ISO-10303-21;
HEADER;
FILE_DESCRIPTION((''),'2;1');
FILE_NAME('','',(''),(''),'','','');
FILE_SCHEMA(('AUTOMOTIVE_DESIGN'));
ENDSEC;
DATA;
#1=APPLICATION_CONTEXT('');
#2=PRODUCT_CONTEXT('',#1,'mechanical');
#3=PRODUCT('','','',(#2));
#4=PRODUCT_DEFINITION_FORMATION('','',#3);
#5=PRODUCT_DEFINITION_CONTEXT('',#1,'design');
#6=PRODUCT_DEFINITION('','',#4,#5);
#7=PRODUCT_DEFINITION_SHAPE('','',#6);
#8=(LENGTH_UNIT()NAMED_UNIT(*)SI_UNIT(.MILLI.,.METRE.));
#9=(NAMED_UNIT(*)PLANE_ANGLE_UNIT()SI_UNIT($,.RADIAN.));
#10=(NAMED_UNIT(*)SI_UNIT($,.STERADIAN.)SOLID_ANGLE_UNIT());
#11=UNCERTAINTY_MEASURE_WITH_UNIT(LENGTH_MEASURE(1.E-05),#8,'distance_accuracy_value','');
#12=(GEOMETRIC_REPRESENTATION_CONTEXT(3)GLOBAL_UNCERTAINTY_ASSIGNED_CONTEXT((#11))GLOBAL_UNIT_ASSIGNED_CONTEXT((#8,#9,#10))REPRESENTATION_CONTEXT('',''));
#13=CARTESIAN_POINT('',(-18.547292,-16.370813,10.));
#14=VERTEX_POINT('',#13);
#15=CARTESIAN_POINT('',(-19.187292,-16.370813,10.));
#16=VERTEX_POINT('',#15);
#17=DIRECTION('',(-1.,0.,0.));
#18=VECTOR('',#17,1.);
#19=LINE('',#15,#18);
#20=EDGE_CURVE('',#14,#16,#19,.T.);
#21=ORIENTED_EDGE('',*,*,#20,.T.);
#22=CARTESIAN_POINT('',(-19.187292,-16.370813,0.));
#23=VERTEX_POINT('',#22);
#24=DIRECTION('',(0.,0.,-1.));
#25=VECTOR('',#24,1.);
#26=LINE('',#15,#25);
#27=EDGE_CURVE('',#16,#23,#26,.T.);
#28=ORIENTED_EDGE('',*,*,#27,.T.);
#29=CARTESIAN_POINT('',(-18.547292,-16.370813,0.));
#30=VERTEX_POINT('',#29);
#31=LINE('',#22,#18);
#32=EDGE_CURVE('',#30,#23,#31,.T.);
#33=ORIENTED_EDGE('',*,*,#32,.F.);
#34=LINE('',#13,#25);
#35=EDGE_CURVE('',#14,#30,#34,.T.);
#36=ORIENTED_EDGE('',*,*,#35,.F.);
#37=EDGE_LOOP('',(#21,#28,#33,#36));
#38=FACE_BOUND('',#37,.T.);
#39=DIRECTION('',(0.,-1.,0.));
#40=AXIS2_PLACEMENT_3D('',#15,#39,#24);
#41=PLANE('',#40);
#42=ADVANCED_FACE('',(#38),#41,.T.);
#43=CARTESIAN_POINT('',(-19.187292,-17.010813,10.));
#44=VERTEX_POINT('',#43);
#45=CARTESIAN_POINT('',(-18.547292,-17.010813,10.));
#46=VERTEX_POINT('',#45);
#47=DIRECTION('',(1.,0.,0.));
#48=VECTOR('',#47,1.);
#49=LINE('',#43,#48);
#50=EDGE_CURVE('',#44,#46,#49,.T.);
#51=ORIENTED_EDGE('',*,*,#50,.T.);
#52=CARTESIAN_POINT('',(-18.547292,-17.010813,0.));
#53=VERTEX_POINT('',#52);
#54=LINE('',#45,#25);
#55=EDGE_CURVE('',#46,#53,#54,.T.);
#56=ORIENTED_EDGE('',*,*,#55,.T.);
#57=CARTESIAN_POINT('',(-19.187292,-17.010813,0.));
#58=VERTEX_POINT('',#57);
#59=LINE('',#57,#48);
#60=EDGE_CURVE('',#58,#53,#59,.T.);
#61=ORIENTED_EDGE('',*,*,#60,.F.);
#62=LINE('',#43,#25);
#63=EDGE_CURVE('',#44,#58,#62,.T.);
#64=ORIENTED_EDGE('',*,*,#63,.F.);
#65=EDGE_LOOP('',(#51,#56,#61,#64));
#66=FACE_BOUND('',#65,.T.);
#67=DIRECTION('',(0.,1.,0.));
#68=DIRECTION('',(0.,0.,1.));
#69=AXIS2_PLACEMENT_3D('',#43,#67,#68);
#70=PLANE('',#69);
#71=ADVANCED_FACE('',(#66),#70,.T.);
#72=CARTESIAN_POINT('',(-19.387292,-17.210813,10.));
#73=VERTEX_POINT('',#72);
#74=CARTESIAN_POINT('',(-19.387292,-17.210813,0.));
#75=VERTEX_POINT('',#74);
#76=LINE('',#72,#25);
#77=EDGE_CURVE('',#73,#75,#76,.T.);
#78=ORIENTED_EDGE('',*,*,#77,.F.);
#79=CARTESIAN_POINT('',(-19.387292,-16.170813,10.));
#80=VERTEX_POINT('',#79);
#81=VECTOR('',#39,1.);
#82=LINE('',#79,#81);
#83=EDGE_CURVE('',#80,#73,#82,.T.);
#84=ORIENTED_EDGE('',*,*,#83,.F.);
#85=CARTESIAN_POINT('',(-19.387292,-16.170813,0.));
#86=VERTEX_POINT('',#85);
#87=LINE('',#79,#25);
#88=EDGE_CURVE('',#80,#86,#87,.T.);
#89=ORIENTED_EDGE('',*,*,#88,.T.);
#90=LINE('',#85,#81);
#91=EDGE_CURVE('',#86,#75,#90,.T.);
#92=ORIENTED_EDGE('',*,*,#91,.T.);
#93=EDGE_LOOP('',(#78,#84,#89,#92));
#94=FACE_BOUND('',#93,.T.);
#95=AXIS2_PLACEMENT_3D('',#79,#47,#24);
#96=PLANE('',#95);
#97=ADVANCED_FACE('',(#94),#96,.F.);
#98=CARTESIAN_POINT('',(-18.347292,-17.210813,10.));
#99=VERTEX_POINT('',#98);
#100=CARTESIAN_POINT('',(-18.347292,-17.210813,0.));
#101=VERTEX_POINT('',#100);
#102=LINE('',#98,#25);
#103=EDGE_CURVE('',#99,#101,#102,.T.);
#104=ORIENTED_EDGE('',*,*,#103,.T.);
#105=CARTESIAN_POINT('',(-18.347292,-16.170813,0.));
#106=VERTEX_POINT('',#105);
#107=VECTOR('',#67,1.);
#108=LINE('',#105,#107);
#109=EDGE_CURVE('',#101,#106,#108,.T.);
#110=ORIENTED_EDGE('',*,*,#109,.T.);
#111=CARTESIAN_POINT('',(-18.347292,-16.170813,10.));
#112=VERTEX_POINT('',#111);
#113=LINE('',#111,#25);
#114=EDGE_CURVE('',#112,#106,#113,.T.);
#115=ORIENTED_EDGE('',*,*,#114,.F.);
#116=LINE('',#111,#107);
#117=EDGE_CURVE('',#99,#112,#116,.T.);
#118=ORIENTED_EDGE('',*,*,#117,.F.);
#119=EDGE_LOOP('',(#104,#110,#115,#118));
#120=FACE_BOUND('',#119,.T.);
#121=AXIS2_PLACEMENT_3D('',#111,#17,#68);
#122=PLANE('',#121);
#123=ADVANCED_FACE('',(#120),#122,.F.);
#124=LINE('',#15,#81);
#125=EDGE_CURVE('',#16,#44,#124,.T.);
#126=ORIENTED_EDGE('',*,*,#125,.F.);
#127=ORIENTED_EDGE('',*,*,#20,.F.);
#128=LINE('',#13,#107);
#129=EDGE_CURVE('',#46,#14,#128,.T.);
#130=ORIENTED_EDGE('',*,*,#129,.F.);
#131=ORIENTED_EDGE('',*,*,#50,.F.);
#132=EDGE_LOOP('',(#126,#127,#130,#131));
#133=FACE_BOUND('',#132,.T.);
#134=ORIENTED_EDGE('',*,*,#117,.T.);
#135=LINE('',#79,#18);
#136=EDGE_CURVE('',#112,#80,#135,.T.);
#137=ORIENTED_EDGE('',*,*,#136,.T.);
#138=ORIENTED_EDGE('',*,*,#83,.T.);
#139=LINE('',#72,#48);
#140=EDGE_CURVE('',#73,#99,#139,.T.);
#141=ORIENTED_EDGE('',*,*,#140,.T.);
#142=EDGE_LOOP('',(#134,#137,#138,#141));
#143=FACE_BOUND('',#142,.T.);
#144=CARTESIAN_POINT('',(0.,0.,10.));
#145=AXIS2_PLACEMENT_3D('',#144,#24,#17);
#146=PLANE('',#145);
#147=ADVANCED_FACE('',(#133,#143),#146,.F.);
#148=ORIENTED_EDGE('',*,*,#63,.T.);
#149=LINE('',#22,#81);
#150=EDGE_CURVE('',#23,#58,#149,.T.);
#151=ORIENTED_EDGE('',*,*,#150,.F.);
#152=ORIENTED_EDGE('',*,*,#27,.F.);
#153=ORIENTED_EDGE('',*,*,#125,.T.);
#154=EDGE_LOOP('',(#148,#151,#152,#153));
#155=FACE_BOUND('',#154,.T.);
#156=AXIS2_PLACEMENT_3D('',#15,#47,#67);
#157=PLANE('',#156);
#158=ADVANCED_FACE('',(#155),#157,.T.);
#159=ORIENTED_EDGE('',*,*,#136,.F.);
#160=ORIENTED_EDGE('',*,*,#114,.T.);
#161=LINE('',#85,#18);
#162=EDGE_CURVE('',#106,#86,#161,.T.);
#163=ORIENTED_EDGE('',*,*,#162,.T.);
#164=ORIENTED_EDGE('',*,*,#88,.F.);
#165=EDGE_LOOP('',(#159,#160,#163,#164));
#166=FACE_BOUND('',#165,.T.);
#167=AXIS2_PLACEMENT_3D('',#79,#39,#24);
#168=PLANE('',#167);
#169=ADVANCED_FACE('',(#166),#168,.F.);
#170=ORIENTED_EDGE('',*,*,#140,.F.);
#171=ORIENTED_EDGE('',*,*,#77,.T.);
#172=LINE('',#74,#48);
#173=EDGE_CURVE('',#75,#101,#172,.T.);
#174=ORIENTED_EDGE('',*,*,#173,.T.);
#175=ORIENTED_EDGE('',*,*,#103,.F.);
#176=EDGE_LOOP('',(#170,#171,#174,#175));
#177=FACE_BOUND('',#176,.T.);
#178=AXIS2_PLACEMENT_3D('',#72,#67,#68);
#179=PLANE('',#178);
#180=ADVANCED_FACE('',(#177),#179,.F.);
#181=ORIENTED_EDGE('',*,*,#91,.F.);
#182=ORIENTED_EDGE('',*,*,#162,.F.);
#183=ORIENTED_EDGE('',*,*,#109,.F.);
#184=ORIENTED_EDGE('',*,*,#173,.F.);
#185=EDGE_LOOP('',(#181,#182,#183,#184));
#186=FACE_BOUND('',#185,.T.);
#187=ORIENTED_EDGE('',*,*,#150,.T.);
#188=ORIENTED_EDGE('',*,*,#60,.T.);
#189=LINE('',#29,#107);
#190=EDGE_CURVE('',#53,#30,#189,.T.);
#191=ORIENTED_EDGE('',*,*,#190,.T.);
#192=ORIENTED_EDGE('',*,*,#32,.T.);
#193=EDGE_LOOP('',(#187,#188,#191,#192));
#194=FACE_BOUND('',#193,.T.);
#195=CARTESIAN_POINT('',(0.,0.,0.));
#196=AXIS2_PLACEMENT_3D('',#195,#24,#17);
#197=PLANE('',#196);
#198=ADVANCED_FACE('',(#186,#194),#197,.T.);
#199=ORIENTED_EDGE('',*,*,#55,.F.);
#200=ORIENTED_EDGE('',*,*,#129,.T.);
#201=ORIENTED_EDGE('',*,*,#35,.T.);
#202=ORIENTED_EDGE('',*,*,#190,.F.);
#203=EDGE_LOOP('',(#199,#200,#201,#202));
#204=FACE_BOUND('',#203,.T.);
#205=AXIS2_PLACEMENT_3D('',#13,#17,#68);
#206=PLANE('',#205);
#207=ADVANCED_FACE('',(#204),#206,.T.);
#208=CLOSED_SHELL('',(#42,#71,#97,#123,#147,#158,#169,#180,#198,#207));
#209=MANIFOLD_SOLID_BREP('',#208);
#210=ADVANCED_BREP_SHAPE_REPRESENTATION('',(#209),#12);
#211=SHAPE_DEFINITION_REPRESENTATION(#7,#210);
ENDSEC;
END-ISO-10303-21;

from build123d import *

# Parameters (mm, degrees)
SKETCH1_W           = 1.04
SKETCH1_H           = 1.04
SKETCH1_W_2         = 0.64
SKETCH1_H_2         = 0.64
BOSS_EXTRUDE1_DEPTH = 10


with BuildPart() as part:
    # Sketch1 → Boss-Extrude1 (new body)
    with BuildSketch(Plane.XY):
        with Locations((-18.867292231, -16.690812939)):
            Rectangle(SKETCH1_W, SKETCH1_H)
        with Locations((-18.867292231, -16.690812939)):
            Rectangle(SKETCH1_W_2, SKETCH1_H_2, mode=Mode.SUBTRACT)
    extrude(amount=BOSS_EXTRUDE1_DEPTH)


solid = part.part
